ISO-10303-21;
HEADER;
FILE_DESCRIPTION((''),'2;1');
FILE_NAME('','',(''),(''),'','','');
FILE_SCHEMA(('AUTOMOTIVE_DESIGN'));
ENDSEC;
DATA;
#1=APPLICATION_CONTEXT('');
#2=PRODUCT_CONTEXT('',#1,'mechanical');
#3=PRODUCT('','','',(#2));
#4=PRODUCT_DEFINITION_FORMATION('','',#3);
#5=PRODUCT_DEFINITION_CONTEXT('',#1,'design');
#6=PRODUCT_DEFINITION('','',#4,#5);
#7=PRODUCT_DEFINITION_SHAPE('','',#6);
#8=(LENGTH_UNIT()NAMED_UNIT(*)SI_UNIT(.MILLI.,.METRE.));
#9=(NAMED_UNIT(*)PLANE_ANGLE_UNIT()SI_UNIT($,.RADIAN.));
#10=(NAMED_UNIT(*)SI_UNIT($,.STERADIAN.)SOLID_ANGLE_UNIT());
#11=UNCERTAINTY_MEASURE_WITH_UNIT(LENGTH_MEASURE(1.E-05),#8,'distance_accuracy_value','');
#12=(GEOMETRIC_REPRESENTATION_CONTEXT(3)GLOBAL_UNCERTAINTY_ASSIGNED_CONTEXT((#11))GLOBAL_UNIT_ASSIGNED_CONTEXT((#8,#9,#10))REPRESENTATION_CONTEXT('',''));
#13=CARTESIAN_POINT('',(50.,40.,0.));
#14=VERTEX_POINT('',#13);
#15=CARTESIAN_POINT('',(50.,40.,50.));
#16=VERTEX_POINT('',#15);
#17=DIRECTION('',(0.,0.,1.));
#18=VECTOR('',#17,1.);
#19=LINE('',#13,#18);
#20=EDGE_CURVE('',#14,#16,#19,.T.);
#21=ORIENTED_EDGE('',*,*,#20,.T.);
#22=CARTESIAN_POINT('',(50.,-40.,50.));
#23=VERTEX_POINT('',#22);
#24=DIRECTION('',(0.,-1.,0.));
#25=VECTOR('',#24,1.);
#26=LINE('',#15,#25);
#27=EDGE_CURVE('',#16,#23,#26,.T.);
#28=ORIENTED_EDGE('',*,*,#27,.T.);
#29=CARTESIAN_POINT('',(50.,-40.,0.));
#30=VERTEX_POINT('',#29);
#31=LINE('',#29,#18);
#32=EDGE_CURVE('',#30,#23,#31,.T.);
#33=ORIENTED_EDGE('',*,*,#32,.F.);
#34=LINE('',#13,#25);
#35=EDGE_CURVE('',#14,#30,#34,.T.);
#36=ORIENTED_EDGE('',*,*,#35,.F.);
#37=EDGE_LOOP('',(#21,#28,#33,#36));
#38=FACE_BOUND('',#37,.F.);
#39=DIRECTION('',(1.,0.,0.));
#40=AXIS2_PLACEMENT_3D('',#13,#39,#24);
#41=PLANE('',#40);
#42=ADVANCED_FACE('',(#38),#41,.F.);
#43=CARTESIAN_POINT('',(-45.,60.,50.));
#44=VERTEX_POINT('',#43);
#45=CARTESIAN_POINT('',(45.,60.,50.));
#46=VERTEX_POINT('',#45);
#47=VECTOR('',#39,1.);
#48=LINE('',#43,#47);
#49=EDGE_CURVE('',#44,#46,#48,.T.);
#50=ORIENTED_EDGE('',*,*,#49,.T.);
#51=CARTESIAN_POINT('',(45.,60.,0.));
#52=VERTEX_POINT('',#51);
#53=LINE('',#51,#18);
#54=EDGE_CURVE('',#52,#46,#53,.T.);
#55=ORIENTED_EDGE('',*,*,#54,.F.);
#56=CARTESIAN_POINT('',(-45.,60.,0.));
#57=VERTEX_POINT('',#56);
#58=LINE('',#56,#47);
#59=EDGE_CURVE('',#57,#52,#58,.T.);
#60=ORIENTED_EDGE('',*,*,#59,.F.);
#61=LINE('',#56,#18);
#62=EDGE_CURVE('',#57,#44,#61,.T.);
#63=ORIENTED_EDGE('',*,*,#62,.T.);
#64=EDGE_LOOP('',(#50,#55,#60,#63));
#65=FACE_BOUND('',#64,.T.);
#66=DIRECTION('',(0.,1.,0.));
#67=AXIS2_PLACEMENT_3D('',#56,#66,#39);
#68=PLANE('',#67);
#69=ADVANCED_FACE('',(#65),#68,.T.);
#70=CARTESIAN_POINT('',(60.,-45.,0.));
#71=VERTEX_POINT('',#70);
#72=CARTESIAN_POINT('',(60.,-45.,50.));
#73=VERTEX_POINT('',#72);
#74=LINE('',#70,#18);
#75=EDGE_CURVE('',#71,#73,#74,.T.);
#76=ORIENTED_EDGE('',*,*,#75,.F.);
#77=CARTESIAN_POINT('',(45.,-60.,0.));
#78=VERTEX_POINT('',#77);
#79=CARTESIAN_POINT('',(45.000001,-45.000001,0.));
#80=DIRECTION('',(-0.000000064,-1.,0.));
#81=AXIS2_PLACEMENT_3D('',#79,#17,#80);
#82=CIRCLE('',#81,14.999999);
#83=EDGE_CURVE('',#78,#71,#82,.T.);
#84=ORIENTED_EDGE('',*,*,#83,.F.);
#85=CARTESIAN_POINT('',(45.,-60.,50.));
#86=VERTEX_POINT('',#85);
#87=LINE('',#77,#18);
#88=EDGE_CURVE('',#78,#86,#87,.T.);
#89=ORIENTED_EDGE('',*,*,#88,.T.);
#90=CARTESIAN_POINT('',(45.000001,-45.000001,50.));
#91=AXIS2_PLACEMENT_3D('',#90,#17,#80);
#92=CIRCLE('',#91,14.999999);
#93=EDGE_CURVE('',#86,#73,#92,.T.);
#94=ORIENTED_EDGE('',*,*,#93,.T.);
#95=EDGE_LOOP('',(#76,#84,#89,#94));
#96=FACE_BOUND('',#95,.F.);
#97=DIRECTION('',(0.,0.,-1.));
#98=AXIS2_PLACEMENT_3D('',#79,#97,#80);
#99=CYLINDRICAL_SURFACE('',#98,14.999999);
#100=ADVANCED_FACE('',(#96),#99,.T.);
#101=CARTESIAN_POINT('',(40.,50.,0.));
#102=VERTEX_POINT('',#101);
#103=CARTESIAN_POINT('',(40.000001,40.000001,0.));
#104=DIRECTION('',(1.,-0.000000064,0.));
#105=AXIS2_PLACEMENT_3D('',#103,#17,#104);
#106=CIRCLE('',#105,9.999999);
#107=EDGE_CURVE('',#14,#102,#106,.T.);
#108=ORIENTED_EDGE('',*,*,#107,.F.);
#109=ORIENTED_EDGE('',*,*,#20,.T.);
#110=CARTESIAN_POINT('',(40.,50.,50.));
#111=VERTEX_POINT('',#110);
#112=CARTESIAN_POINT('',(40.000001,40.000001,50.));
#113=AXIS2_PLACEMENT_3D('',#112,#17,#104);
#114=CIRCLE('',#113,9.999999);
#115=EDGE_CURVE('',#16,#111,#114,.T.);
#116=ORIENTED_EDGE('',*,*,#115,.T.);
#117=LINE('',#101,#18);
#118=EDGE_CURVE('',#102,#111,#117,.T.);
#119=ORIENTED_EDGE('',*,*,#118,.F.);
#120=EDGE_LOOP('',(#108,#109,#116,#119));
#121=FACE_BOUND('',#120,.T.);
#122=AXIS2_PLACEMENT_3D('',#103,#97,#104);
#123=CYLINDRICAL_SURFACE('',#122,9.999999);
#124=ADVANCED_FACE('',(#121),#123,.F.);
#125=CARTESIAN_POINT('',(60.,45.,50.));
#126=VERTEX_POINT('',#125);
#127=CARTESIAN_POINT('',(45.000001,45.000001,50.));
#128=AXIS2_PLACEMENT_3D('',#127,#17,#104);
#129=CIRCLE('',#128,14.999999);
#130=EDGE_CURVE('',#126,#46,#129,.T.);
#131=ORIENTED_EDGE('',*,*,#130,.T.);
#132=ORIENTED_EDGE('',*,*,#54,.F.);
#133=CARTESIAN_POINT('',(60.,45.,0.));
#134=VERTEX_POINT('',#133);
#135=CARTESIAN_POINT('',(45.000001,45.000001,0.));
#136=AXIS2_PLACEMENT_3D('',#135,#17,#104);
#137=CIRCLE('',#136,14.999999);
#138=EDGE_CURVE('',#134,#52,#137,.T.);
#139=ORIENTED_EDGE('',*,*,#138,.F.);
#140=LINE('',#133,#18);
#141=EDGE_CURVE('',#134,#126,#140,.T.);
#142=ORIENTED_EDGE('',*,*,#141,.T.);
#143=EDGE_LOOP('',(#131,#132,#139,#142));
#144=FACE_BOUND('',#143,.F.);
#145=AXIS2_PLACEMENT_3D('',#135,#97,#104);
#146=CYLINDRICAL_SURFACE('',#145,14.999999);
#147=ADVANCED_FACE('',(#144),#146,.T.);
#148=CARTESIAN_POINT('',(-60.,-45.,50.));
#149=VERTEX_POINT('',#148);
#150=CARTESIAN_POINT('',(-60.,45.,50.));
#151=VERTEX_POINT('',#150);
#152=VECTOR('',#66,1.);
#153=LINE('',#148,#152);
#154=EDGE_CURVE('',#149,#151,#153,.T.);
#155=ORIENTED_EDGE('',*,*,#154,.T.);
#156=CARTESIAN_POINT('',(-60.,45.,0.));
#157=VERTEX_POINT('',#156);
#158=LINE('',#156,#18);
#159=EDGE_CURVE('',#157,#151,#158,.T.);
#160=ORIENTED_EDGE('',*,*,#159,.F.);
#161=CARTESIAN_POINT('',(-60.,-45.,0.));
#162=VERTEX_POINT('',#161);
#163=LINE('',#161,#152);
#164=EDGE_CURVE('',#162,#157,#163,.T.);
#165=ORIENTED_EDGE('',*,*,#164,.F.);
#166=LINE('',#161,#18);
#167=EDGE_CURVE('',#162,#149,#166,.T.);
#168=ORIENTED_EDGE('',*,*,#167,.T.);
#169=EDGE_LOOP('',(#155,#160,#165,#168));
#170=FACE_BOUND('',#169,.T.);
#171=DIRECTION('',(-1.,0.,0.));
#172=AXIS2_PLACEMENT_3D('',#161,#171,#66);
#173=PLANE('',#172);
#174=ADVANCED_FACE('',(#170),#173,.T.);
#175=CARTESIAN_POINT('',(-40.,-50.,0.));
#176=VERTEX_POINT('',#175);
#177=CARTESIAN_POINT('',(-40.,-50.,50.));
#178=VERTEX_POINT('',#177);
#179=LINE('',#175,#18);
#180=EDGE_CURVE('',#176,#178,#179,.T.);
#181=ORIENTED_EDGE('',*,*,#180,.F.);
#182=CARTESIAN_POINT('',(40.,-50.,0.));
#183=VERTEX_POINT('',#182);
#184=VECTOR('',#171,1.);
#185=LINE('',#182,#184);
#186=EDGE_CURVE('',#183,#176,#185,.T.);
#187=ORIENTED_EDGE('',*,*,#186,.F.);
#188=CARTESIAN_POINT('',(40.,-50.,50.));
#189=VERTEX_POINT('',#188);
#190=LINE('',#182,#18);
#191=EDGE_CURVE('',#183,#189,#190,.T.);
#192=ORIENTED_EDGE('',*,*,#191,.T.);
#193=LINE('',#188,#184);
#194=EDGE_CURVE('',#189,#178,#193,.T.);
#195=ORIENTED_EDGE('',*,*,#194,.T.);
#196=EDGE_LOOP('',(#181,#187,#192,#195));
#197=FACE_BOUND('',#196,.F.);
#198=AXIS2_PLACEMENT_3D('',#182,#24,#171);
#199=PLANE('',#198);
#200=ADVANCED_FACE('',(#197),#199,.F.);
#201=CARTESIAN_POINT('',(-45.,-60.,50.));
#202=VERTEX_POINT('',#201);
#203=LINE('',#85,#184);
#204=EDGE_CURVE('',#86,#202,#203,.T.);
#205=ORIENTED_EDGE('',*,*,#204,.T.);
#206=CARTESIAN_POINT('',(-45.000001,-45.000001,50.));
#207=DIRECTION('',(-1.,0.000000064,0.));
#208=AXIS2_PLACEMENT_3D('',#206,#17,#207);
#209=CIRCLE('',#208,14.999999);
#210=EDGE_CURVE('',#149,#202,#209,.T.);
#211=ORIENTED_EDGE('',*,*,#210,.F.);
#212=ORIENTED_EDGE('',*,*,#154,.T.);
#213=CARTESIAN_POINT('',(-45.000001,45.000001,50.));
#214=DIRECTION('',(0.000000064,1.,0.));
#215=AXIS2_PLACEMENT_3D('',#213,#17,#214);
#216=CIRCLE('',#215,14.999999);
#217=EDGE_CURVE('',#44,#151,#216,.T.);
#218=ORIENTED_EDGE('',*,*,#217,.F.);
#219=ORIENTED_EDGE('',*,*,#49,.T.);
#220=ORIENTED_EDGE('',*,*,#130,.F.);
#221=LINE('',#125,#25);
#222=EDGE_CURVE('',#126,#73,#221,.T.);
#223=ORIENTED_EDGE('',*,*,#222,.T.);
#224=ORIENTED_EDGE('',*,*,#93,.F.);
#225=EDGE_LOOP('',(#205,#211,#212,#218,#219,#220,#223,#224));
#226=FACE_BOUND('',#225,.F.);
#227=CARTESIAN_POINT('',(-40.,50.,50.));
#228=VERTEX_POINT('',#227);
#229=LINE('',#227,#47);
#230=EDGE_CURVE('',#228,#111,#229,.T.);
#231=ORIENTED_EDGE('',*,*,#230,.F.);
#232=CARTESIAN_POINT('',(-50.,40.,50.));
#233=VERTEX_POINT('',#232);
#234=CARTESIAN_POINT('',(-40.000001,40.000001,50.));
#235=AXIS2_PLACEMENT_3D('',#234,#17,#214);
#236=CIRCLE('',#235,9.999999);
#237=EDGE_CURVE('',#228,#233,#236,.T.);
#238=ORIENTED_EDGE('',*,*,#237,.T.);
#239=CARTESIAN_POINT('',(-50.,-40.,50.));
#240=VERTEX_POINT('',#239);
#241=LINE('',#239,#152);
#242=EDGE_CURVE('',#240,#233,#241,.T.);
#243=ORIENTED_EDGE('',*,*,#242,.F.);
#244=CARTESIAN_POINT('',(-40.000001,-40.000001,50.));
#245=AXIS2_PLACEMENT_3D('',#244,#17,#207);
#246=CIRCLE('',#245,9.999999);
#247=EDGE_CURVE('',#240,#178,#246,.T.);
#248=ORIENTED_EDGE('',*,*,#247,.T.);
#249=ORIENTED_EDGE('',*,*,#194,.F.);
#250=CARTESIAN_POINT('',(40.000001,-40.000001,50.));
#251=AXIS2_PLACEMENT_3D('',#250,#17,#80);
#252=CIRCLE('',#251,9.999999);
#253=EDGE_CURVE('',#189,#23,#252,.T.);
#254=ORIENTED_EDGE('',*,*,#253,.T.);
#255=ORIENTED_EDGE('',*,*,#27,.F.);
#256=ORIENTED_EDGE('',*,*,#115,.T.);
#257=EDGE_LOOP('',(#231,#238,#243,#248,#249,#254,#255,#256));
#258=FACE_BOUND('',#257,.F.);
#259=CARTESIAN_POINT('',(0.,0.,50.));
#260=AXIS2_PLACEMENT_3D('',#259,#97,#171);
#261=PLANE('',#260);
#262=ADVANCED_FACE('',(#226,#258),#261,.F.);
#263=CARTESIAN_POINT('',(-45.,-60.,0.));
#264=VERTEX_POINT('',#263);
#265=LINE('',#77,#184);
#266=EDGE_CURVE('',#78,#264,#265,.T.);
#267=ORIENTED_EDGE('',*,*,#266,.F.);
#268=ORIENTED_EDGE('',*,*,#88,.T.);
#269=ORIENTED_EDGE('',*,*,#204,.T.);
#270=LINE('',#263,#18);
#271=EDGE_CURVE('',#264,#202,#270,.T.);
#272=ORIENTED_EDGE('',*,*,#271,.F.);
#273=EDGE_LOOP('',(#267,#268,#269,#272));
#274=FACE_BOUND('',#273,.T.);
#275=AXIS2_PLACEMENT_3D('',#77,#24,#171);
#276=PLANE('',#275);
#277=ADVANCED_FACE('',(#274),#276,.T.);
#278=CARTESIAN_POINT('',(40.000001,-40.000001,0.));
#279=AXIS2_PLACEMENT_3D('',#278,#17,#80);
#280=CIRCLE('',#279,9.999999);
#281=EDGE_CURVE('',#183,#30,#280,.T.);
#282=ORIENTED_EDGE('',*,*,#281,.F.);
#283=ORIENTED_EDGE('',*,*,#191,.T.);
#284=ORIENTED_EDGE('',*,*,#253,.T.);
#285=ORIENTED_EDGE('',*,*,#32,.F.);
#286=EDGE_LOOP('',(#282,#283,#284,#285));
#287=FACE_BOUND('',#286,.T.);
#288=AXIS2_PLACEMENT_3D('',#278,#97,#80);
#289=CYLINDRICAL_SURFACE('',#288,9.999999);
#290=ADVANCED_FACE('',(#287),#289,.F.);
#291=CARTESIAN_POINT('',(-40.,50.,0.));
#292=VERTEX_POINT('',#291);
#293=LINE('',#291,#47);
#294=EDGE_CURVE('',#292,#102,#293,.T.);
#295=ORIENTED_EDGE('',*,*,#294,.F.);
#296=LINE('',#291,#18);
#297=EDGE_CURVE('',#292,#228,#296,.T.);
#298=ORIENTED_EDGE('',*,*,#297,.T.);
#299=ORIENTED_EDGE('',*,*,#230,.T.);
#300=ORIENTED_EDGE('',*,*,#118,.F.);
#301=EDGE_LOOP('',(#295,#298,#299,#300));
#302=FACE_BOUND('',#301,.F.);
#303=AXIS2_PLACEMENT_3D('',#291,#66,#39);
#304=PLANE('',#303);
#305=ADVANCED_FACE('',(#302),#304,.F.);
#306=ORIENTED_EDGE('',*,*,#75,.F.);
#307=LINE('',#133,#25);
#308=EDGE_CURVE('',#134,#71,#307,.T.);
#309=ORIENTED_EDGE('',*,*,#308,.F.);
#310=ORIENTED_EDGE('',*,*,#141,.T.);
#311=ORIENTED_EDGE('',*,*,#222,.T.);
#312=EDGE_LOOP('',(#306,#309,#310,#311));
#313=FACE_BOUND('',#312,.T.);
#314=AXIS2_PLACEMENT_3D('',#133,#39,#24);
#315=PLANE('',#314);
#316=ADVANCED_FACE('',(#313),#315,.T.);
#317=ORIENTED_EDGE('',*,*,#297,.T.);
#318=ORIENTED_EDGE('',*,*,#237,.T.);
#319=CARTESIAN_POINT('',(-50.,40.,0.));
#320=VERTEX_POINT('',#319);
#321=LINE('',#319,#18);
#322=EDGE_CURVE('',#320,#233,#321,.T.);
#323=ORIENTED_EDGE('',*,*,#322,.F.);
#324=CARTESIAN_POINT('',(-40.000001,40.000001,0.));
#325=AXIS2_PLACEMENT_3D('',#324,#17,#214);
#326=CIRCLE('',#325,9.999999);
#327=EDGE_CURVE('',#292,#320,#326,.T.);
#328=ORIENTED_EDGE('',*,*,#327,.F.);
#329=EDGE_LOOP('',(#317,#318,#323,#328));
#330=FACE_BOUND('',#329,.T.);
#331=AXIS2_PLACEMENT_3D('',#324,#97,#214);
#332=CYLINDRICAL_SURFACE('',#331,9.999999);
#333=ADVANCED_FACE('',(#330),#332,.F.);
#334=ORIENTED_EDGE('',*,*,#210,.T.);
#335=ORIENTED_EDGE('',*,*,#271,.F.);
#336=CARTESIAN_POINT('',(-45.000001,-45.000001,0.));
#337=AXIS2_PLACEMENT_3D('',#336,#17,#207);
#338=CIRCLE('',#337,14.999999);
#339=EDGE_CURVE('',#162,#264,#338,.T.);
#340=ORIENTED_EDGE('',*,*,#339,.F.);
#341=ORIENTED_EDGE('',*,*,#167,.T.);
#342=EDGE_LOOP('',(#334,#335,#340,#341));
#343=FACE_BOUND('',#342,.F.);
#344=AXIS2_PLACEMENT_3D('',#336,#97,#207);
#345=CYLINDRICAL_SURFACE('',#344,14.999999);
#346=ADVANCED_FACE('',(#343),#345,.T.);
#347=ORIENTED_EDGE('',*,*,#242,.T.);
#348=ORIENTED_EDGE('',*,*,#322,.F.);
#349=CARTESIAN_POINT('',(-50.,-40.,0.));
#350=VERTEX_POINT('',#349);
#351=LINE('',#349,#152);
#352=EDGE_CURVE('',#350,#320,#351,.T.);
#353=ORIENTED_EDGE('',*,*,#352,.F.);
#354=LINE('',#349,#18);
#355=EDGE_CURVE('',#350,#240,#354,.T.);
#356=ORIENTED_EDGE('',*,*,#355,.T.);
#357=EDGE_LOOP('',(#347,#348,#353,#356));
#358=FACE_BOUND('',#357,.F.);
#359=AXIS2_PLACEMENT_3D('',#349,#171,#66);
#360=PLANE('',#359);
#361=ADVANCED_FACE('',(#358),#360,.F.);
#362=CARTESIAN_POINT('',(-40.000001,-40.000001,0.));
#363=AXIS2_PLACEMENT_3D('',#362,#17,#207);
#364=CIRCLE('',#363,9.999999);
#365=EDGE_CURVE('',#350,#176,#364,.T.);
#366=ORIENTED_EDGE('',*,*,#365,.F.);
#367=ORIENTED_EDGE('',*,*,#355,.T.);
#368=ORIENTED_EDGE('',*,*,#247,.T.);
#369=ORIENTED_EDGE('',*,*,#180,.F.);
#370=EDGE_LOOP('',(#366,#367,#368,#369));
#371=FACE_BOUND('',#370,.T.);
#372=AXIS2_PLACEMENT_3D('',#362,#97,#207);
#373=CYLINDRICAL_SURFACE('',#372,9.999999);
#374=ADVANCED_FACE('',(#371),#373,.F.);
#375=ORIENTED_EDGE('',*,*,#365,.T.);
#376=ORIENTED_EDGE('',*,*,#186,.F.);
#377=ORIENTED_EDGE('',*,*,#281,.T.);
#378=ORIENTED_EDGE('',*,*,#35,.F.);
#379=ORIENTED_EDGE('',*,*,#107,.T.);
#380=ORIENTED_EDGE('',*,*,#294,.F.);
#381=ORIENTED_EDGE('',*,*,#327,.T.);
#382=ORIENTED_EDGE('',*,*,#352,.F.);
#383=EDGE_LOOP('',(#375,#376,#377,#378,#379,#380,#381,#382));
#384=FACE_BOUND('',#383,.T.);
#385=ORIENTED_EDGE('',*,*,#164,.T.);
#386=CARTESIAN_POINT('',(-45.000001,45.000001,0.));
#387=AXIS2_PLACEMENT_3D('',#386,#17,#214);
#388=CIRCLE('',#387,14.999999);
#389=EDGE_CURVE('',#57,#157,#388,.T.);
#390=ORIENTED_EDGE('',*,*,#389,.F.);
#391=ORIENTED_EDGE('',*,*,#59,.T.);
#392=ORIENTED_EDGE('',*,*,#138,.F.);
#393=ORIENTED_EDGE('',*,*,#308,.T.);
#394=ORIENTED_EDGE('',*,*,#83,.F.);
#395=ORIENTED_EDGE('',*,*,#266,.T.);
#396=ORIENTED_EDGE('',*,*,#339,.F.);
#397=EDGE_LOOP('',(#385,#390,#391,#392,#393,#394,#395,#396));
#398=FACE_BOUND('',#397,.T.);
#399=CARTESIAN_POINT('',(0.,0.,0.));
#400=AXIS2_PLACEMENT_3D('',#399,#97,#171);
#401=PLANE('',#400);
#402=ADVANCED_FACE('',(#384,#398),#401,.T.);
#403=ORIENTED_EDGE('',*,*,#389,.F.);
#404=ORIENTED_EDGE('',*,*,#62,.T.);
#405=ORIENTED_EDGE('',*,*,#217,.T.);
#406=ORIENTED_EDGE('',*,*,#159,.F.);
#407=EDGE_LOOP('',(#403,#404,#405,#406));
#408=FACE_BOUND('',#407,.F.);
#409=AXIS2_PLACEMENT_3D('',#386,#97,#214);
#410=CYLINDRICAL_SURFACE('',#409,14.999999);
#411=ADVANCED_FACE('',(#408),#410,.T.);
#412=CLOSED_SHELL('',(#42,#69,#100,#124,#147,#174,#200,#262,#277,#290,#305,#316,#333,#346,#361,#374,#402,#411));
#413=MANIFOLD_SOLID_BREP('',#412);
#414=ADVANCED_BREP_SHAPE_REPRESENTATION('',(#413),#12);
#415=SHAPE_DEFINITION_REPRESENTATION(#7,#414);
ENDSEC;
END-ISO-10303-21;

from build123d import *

# Parameters (mm, degrees)
EXTRUDE_DEPTH = 50


with BuildPart() as part:
    # Sketch → Extrude (new body)
    with BuildSketch(Plane.XY):
        with BuildLine():
            Line((-45, 60), (45, 60))
            ThreePointArc((60, 45), (55.606602, 55.606602), (45, 60))
            Line((60, 45), (60, -45))
            ThreePointArc((45, -60), (55.606602, -55.606602), (60, -45))
            Line((45, -60), (-45, -60))
            ThreePointArc((-60, -45), (-55.606602, -55.606602), (-45, -60))
            Line((-60, -45), (-60, 45))
            ThreePointArc((-45, 60), (-55.606602, 55.606602), (-60, 45))
        make_face()
        with BuildLine():
            Line((-40, 50), (40, 50))
            ThreePointArc((50, 40), (47.071068, 47.071068), (40, 50))
            Line((50, 40), (50, -40))
            ThreePointArc((40, -50), (47.071068, -47.071068), (50, -40))
            Line((40, -50), (-40, -50))
            ThreePointArc((-50, -40), (-47.071068, -47.071068), (-40, -50))
            Line((-50, -40), (-50, 40))
            ThreePointArc((-40, 50), (-47.071068, 47.071068), (-50, 40))
        make_face(mode=Mode.SUBTRACT)
    extrude(amount=EXTRUDE_DEPTH)


solid = part.part
